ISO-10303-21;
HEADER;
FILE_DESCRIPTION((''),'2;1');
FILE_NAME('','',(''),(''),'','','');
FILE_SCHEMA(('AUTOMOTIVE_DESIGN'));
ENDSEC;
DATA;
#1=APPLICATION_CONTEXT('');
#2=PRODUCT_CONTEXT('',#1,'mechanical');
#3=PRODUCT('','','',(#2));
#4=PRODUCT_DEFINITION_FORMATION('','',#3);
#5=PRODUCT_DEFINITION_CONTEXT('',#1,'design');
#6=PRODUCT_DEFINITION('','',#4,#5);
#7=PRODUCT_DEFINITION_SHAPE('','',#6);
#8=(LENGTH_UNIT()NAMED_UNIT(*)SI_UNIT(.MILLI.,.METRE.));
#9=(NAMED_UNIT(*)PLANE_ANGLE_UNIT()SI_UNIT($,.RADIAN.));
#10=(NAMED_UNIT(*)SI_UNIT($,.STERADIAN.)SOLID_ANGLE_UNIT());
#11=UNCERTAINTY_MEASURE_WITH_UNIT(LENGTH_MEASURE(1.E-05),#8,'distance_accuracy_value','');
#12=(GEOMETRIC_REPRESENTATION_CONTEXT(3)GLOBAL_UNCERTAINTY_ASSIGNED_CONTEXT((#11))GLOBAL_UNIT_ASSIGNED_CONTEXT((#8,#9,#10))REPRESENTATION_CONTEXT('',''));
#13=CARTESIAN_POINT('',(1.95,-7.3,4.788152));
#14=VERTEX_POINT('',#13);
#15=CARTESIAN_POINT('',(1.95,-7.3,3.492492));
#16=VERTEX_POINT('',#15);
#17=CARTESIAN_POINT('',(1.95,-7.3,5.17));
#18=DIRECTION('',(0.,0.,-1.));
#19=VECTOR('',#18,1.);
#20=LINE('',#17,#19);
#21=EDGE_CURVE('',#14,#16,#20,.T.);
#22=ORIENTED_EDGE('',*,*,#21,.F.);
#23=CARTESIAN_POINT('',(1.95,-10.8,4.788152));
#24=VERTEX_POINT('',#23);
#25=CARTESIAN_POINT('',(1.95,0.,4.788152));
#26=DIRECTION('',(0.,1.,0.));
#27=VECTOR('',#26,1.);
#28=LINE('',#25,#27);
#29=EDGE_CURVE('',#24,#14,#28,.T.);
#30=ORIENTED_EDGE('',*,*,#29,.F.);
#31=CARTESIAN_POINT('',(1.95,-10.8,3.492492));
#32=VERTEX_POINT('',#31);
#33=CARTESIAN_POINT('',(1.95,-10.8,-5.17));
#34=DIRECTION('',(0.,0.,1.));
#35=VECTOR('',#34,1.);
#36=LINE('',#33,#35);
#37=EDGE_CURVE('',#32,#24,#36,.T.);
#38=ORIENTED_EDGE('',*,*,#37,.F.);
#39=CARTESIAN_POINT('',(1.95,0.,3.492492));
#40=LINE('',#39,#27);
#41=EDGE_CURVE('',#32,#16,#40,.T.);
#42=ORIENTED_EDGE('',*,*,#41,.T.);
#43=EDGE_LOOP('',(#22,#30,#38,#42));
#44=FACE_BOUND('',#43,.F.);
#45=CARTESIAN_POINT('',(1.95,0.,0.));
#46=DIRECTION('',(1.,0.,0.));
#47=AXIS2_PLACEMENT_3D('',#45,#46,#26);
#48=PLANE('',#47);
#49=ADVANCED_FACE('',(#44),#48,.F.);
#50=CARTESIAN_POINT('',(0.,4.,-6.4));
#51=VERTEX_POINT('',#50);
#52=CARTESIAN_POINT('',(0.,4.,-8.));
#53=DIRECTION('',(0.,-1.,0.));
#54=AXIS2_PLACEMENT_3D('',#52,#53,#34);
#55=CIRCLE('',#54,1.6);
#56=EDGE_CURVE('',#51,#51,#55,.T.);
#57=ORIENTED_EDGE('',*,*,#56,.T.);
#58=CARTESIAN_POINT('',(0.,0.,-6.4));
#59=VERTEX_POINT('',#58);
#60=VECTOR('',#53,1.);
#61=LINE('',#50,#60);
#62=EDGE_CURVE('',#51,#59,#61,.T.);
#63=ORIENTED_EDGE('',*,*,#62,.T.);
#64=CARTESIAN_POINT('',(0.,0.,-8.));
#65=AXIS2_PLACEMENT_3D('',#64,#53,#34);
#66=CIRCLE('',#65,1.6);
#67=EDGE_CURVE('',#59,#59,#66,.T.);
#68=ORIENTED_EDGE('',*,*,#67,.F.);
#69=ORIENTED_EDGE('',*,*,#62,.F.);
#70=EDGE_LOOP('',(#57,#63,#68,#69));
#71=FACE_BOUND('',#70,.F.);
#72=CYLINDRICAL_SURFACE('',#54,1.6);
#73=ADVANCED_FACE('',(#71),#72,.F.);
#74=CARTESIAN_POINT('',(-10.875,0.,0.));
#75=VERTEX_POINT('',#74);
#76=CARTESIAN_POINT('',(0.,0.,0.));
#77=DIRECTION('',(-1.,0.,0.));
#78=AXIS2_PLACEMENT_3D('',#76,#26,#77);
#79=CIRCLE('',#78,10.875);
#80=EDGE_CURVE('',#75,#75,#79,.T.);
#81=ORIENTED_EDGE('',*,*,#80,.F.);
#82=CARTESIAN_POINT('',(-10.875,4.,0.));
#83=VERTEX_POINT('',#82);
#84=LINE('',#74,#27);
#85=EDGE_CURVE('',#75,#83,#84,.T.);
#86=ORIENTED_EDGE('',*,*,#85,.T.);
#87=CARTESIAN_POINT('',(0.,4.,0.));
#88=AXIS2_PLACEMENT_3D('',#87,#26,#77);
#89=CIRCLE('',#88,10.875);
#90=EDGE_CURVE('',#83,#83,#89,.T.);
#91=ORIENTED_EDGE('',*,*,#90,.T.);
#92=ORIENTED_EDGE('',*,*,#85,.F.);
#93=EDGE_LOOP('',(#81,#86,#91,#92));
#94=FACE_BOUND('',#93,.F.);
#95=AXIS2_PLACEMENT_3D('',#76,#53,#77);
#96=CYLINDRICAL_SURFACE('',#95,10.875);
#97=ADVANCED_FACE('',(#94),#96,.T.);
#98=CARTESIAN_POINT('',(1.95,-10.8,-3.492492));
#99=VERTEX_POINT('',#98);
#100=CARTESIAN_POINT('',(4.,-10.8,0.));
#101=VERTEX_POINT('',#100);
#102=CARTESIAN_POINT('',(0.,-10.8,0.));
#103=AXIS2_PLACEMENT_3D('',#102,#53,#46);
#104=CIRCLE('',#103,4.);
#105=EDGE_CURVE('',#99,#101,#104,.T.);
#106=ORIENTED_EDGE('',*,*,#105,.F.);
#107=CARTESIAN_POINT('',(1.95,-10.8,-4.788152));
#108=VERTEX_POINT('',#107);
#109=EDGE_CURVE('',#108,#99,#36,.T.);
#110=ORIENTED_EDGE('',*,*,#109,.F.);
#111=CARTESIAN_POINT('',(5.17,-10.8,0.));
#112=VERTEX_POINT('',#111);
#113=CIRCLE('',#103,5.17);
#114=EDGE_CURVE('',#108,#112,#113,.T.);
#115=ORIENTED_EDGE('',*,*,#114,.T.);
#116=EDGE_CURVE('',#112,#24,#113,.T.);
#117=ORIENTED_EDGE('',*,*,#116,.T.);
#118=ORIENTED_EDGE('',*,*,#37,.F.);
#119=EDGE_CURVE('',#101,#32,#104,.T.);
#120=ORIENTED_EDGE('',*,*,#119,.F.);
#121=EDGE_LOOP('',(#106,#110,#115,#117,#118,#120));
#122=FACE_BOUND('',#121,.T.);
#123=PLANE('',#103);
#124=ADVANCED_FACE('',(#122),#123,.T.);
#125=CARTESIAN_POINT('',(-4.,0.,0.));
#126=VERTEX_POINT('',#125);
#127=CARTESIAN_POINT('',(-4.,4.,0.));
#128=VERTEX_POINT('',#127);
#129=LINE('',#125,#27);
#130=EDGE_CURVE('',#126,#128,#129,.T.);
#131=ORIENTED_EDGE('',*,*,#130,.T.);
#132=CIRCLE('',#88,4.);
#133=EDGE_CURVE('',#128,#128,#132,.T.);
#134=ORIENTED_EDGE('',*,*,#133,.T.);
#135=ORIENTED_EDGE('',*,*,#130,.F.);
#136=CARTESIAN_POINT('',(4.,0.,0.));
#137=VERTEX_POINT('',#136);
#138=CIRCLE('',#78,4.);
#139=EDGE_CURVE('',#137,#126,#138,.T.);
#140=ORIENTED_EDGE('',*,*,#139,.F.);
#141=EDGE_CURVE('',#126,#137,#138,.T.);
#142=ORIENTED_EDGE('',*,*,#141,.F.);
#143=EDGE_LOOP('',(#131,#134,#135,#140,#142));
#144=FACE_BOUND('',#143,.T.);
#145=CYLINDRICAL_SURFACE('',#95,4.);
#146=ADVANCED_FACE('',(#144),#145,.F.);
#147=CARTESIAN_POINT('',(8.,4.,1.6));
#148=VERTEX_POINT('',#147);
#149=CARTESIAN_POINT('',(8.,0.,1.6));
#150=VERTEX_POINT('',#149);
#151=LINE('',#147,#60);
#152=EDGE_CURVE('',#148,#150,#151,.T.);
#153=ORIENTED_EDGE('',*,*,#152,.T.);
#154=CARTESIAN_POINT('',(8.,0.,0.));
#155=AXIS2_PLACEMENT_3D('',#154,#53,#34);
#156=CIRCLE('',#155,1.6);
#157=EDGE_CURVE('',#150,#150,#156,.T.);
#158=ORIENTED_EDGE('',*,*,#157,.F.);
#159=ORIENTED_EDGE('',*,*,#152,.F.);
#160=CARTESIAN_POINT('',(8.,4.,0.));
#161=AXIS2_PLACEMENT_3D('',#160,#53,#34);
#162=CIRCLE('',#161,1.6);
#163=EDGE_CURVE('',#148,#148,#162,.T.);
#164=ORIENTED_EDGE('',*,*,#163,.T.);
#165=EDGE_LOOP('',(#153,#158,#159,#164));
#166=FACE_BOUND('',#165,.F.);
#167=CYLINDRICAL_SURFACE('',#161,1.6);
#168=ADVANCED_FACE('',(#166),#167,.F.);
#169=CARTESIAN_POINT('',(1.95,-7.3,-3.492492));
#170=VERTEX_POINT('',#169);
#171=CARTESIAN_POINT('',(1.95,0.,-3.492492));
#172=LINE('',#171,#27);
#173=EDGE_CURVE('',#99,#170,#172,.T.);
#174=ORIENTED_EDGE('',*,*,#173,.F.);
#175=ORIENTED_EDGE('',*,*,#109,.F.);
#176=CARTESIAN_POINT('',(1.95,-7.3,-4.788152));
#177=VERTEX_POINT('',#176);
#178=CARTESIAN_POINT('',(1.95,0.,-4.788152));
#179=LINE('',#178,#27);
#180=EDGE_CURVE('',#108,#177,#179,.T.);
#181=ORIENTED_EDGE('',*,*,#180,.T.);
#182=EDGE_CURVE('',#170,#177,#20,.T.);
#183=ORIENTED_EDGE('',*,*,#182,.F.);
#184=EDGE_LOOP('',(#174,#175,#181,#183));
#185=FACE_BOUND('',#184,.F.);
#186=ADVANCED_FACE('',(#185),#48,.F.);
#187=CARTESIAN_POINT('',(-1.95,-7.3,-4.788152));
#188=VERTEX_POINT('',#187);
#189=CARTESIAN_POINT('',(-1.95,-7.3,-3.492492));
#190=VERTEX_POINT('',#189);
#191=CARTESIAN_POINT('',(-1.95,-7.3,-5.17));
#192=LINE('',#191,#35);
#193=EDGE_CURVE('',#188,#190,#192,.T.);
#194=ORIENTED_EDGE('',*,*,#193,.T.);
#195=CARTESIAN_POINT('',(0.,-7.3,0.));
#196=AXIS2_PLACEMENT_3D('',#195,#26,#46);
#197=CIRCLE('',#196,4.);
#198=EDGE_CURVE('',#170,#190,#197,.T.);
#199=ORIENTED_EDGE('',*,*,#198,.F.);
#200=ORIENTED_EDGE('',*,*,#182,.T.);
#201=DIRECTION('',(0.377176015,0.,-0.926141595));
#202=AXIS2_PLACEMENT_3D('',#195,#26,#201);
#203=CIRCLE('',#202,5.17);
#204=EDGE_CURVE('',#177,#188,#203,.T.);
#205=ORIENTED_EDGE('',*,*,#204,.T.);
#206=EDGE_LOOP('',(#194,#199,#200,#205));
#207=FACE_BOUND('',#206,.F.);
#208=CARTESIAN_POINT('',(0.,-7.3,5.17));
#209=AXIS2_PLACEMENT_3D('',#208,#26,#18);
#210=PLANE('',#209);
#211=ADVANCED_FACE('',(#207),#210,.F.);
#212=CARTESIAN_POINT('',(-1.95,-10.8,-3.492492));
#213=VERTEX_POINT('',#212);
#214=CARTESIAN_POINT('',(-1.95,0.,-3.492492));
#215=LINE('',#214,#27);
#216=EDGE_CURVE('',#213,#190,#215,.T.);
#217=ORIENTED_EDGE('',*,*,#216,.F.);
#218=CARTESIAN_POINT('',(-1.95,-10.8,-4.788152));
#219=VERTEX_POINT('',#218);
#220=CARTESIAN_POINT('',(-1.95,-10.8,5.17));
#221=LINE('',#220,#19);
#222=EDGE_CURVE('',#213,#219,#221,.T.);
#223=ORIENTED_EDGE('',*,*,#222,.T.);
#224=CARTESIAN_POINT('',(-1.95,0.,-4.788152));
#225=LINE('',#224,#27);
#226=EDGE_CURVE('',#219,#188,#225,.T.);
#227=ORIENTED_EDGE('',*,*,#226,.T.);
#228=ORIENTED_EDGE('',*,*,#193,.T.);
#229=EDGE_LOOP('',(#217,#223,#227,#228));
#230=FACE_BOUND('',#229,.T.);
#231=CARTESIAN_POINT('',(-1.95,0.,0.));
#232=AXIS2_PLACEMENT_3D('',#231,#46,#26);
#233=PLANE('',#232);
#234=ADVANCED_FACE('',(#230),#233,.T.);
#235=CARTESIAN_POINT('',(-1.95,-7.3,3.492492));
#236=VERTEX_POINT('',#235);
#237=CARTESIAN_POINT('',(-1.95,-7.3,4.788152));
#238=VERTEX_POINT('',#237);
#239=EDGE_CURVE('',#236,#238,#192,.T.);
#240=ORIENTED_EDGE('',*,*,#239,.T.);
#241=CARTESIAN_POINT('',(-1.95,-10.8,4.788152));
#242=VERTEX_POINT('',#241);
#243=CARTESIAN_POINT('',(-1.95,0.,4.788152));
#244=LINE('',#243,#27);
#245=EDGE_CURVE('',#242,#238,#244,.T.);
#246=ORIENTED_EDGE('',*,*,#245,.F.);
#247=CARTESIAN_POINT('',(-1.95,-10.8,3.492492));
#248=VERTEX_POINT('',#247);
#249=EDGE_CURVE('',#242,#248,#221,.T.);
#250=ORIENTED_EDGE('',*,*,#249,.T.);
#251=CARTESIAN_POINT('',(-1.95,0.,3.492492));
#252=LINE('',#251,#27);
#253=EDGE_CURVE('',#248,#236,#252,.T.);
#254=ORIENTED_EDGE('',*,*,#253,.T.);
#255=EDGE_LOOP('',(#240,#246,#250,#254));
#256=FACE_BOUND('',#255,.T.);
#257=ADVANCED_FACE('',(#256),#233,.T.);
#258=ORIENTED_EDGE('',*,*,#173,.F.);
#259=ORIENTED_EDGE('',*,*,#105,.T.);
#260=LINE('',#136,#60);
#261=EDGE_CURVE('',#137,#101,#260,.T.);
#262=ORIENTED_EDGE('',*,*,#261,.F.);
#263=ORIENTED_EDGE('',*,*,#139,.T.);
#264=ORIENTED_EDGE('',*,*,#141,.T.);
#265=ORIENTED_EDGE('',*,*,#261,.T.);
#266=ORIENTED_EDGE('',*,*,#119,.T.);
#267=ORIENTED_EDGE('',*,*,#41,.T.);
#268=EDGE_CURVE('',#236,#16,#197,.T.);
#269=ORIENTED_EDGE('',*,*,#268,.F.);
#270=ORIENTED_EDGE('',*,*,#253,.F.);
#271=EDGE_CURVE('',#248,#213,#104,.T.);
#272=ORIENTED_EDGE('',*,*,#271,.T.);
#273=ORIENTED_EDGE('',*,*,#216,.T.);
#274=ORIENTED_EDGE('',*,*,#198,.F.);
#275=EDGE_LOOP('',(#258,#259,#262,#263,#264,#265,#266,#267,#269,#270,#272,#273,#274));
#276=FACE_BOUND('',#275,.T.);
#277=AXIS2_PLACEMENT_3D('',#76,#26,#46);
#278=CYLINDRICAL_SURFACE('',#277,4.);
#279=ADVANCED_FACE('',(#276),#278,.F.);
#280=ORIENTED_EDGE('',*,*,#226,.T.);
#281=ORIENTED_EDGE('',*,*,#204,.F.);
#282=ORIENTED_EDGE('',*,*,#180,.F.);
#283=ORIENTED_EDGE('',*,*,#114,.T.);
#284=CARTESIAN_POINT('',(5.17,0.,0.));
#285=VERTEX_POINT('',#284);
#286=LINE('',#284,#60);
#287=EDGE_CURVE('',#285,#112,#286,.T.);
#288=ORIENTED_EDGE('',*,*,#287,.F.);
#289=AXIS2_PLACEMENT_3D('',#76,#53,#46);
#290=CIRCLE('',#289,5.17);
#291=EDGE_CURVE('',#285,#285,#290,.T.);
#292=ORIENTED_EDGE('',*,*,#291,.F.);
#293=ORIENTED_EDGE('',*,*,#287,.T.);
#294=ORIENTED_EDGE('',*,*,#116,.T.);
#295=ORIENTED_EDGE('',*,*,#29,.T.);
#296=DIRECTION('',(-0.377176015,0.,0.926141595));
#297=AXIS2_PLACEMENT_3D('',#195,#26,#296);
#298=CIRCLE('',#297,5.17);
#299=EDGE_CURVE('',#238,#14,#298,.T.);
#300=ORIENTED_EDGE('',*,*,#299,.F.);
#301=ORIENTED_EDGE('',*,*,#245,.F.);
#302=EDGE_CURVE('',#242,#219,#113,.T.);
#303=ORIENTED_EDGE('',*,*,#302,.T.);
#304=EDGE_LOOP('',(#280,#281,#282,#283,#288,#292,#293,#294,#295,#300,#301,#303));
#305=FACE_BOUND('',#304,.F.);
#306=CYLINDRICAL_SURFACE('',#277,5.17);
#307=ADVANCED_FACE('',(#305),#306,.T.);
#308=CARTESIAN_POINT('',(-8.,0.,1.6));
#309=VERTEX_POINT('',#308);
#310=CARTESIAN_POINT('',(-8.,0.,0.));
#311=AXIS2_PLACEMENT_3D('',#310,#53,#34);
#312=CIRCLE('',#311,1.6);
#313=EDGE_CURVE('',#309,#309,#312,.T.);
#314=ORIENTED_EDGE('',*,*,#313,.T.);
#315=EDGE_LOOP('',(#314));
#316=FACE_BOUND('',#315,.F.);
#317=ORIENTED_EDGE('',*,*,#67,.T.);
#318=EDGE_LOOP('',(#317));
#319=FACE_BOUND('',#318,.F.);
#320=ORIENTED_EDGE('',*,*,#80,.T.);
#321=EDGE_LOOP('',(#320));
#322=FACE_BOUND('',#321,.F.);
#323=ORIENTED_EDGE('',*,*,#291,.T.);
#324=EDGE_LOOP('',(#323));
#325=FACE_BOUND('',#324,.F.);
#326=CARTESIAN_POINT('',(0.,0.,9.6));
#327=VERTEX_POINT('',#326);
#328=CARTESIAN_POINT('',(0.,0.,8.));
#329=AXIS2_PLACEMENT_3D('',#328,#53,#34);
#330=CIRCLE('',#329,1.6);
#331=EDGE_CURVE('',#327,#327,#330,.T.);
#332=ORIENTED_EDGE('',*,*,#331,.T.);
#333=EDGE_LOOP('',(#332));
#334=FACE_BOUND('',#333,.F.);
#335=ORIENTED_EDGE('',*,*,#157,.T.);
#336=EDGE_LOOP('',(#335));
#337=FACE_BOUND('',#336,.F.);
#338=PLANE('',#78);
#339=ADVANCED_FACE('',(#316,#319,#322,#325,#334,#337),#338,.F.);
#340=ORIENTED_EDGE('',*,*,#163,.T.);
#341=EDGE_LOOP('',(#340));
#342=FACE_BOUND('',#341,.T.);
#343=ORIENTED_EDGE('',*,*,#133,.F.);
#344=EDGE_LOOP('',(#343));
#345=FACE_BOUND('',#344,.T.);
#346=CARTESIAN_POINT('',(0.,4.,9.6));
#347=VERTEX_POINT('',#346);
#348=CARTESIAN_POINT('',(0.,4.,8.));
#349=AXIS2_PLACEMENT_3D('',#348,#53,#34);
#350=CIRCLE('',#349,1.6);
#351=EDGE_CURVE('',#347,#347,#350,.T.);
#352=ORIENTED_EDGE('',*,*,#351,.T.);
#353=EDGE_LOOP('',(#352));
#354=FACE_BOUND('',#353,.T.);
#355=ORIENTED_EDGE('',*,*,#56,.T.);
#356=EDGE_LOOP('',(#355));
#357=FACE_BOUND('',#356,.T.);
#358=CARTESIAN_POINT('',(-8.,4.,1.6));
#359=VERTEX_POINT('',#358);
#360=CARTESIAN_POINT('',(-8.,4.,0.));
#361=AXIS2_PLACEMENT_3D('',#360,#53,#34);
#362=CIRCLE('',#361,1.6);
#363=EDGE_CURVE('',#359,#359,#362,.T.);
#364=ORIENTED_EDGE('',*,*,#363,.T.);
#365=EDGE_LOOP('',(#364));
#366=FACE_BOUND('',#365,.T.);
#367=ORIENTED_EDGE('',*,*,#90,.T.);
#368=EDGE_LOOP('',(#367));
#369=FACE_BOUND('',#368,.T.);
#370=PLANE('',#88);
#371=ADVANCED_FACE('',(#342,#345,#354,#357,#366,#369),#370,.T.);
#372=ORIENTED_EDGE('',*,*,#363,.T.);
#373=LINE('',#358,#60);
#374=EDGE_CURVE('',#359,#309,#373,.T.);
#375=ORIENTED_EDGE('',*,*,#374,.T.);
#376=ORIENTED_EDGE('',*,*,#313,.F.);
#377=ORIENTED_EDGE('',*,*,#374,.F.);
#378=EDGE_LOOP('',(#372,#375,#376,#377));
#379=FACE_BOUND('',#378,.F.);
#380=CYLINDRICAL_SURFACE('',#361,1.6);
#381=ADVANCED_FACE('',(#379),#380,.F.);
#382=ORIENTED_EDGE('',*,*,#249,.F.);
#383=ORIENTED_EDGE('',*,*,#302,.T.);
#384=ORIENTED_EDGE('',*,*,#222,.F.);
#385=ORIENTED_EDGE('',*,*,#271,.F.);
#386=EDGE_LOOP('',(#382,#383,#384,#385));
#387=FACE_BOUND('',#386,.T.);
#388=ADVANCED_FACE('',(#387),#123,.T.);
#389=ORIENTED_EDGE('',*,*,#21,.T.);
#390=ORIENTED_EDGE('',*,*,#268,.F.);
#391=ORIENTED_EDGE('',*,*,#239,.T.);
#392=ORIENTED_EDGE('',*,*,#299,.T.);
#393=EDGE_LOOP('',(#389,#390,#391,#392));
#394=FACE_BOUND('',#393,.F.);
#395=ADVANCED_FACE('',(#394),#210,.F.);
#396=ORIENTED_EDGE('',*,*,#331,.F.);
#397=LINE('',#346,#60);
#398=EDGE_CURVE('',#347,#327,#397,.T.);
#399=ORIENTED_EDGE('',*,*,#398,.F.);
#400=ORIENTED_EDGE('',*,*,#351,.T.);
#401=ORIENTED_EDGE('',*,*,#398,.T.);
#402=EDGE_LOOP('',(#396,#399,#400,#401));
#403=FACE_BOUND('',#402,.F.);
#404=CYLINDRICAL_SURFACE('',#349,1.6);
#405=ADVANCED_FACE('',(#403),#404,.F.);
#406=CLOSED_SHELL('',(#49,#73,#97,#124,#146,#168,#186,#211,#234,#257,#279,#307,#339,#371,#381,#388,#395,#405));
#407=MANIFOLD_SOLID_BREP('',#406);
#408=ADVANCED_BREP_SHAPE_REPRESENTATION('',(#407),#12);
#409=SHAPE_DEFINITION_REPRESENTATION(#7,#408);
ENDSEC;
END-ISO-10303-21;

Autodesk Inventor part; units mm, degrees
ref_plane "YZ Plane" through (0, 0, 0) normal (1, 0, 0) x (0, 1, 0)
ref_plane "XZ Plane" through (0, 0, 0) normal (0, 1, 0) x (-1, 0, 0)
ref_plane "XY Plane" through (0, 0, 0) normal (0, 0, 1) x (1, 0, 0)
sketch "Szkic1" plane through (0, 0, 0) normal (0, 1, 0) x (-1, 0, 0)
  circle A0 centre (0, 0) radius 10.875
  circle A1 centre (0, 0) radius 4
  point P0 (8, 0)
  point P1 (0, -8)
  point P2 (-8, 0)
  point P3 (0, 8)
  dimension "d0" = 21.75
  dimension "d1" = 8
  dimension "d2" = 8
  dimension "d5" = 360
extrude "Wyciągnięcie proste1" add sketch "Szkic1" along normal blind 4
sketch "Szkic2" plane through (0, 4, 0) normal (0, 1, 0) x (1, 0, 0)
  circle A0 centre (0, 0) radius 4 projected
  circle A1 centre (0, 0) radius 10.875 projected
  point P0 (-8, 0)
  point P1 (0, -8)
  point P2 (8, 0)
  point P3 (0, 8)
  dimension "d11" = 360
  dimension "d20" = 8
hole "Otwór1" at (-8, 4, 0) at (0, 4, 8) at (8, 4, 0) at (0, 4, -8) direction (0, -1, 0) diameter 3.2 end through all
sketch "Szkic3" plane through (0, 0, 0) normal (0, -1, 0) x (1, 0, 0)
  circle A0 centre (0, 0) radius 5.17
  circle A1 centre (0, 0) radius 4 projected
  dimension "d21" = 10.34
extrude "Wyciągnięcie proste2" add sketch "Szkic3" along normal blind 10.8
sketch "Szkic4" plane through (0, 0, 0) normal (1, 0, 0) x (0, 1, 0)
  line L0 (-10.8, 5.17) -> (-7.3, 5.17)
  line L1 (-7.3, 5.17) -> (-7.3, -5.17)
  line L2 (-7.3, -5.17) -> (-10.8, -5.17)
  line L3 (-10.8, -5.17) -> (-10.8, 5.17)
  line L4 (0, -5.17) -> (0, 5.17) projected
  line L5 (-10.8, -4) -> (-10.8, 4) projected
  line L6 (0, 5.17) -> (-10.8, 5.17) projected
  line L7 (0, -5.17) -> (-10.8, -5.17) projected
  line L8 (-10.8, 0) -> (4, 0)
  line L9 (4, -10.875) -> (4, 10.875) projected
  point P0 (0, 0)
  dimension "d24" = 10.34
  dimension "d25" = 7.3
  dimension "d26" = 10.34
extrude "Wyciągnięcie proste3" cut sketch "Szkic4" along normal mid plane 3.9 contours L0 L1 L8 L3 | L1 L2 L3 L8
equation "\"d24\" = d26"
properties part number "TR8_AntiBacklashNutMain"
